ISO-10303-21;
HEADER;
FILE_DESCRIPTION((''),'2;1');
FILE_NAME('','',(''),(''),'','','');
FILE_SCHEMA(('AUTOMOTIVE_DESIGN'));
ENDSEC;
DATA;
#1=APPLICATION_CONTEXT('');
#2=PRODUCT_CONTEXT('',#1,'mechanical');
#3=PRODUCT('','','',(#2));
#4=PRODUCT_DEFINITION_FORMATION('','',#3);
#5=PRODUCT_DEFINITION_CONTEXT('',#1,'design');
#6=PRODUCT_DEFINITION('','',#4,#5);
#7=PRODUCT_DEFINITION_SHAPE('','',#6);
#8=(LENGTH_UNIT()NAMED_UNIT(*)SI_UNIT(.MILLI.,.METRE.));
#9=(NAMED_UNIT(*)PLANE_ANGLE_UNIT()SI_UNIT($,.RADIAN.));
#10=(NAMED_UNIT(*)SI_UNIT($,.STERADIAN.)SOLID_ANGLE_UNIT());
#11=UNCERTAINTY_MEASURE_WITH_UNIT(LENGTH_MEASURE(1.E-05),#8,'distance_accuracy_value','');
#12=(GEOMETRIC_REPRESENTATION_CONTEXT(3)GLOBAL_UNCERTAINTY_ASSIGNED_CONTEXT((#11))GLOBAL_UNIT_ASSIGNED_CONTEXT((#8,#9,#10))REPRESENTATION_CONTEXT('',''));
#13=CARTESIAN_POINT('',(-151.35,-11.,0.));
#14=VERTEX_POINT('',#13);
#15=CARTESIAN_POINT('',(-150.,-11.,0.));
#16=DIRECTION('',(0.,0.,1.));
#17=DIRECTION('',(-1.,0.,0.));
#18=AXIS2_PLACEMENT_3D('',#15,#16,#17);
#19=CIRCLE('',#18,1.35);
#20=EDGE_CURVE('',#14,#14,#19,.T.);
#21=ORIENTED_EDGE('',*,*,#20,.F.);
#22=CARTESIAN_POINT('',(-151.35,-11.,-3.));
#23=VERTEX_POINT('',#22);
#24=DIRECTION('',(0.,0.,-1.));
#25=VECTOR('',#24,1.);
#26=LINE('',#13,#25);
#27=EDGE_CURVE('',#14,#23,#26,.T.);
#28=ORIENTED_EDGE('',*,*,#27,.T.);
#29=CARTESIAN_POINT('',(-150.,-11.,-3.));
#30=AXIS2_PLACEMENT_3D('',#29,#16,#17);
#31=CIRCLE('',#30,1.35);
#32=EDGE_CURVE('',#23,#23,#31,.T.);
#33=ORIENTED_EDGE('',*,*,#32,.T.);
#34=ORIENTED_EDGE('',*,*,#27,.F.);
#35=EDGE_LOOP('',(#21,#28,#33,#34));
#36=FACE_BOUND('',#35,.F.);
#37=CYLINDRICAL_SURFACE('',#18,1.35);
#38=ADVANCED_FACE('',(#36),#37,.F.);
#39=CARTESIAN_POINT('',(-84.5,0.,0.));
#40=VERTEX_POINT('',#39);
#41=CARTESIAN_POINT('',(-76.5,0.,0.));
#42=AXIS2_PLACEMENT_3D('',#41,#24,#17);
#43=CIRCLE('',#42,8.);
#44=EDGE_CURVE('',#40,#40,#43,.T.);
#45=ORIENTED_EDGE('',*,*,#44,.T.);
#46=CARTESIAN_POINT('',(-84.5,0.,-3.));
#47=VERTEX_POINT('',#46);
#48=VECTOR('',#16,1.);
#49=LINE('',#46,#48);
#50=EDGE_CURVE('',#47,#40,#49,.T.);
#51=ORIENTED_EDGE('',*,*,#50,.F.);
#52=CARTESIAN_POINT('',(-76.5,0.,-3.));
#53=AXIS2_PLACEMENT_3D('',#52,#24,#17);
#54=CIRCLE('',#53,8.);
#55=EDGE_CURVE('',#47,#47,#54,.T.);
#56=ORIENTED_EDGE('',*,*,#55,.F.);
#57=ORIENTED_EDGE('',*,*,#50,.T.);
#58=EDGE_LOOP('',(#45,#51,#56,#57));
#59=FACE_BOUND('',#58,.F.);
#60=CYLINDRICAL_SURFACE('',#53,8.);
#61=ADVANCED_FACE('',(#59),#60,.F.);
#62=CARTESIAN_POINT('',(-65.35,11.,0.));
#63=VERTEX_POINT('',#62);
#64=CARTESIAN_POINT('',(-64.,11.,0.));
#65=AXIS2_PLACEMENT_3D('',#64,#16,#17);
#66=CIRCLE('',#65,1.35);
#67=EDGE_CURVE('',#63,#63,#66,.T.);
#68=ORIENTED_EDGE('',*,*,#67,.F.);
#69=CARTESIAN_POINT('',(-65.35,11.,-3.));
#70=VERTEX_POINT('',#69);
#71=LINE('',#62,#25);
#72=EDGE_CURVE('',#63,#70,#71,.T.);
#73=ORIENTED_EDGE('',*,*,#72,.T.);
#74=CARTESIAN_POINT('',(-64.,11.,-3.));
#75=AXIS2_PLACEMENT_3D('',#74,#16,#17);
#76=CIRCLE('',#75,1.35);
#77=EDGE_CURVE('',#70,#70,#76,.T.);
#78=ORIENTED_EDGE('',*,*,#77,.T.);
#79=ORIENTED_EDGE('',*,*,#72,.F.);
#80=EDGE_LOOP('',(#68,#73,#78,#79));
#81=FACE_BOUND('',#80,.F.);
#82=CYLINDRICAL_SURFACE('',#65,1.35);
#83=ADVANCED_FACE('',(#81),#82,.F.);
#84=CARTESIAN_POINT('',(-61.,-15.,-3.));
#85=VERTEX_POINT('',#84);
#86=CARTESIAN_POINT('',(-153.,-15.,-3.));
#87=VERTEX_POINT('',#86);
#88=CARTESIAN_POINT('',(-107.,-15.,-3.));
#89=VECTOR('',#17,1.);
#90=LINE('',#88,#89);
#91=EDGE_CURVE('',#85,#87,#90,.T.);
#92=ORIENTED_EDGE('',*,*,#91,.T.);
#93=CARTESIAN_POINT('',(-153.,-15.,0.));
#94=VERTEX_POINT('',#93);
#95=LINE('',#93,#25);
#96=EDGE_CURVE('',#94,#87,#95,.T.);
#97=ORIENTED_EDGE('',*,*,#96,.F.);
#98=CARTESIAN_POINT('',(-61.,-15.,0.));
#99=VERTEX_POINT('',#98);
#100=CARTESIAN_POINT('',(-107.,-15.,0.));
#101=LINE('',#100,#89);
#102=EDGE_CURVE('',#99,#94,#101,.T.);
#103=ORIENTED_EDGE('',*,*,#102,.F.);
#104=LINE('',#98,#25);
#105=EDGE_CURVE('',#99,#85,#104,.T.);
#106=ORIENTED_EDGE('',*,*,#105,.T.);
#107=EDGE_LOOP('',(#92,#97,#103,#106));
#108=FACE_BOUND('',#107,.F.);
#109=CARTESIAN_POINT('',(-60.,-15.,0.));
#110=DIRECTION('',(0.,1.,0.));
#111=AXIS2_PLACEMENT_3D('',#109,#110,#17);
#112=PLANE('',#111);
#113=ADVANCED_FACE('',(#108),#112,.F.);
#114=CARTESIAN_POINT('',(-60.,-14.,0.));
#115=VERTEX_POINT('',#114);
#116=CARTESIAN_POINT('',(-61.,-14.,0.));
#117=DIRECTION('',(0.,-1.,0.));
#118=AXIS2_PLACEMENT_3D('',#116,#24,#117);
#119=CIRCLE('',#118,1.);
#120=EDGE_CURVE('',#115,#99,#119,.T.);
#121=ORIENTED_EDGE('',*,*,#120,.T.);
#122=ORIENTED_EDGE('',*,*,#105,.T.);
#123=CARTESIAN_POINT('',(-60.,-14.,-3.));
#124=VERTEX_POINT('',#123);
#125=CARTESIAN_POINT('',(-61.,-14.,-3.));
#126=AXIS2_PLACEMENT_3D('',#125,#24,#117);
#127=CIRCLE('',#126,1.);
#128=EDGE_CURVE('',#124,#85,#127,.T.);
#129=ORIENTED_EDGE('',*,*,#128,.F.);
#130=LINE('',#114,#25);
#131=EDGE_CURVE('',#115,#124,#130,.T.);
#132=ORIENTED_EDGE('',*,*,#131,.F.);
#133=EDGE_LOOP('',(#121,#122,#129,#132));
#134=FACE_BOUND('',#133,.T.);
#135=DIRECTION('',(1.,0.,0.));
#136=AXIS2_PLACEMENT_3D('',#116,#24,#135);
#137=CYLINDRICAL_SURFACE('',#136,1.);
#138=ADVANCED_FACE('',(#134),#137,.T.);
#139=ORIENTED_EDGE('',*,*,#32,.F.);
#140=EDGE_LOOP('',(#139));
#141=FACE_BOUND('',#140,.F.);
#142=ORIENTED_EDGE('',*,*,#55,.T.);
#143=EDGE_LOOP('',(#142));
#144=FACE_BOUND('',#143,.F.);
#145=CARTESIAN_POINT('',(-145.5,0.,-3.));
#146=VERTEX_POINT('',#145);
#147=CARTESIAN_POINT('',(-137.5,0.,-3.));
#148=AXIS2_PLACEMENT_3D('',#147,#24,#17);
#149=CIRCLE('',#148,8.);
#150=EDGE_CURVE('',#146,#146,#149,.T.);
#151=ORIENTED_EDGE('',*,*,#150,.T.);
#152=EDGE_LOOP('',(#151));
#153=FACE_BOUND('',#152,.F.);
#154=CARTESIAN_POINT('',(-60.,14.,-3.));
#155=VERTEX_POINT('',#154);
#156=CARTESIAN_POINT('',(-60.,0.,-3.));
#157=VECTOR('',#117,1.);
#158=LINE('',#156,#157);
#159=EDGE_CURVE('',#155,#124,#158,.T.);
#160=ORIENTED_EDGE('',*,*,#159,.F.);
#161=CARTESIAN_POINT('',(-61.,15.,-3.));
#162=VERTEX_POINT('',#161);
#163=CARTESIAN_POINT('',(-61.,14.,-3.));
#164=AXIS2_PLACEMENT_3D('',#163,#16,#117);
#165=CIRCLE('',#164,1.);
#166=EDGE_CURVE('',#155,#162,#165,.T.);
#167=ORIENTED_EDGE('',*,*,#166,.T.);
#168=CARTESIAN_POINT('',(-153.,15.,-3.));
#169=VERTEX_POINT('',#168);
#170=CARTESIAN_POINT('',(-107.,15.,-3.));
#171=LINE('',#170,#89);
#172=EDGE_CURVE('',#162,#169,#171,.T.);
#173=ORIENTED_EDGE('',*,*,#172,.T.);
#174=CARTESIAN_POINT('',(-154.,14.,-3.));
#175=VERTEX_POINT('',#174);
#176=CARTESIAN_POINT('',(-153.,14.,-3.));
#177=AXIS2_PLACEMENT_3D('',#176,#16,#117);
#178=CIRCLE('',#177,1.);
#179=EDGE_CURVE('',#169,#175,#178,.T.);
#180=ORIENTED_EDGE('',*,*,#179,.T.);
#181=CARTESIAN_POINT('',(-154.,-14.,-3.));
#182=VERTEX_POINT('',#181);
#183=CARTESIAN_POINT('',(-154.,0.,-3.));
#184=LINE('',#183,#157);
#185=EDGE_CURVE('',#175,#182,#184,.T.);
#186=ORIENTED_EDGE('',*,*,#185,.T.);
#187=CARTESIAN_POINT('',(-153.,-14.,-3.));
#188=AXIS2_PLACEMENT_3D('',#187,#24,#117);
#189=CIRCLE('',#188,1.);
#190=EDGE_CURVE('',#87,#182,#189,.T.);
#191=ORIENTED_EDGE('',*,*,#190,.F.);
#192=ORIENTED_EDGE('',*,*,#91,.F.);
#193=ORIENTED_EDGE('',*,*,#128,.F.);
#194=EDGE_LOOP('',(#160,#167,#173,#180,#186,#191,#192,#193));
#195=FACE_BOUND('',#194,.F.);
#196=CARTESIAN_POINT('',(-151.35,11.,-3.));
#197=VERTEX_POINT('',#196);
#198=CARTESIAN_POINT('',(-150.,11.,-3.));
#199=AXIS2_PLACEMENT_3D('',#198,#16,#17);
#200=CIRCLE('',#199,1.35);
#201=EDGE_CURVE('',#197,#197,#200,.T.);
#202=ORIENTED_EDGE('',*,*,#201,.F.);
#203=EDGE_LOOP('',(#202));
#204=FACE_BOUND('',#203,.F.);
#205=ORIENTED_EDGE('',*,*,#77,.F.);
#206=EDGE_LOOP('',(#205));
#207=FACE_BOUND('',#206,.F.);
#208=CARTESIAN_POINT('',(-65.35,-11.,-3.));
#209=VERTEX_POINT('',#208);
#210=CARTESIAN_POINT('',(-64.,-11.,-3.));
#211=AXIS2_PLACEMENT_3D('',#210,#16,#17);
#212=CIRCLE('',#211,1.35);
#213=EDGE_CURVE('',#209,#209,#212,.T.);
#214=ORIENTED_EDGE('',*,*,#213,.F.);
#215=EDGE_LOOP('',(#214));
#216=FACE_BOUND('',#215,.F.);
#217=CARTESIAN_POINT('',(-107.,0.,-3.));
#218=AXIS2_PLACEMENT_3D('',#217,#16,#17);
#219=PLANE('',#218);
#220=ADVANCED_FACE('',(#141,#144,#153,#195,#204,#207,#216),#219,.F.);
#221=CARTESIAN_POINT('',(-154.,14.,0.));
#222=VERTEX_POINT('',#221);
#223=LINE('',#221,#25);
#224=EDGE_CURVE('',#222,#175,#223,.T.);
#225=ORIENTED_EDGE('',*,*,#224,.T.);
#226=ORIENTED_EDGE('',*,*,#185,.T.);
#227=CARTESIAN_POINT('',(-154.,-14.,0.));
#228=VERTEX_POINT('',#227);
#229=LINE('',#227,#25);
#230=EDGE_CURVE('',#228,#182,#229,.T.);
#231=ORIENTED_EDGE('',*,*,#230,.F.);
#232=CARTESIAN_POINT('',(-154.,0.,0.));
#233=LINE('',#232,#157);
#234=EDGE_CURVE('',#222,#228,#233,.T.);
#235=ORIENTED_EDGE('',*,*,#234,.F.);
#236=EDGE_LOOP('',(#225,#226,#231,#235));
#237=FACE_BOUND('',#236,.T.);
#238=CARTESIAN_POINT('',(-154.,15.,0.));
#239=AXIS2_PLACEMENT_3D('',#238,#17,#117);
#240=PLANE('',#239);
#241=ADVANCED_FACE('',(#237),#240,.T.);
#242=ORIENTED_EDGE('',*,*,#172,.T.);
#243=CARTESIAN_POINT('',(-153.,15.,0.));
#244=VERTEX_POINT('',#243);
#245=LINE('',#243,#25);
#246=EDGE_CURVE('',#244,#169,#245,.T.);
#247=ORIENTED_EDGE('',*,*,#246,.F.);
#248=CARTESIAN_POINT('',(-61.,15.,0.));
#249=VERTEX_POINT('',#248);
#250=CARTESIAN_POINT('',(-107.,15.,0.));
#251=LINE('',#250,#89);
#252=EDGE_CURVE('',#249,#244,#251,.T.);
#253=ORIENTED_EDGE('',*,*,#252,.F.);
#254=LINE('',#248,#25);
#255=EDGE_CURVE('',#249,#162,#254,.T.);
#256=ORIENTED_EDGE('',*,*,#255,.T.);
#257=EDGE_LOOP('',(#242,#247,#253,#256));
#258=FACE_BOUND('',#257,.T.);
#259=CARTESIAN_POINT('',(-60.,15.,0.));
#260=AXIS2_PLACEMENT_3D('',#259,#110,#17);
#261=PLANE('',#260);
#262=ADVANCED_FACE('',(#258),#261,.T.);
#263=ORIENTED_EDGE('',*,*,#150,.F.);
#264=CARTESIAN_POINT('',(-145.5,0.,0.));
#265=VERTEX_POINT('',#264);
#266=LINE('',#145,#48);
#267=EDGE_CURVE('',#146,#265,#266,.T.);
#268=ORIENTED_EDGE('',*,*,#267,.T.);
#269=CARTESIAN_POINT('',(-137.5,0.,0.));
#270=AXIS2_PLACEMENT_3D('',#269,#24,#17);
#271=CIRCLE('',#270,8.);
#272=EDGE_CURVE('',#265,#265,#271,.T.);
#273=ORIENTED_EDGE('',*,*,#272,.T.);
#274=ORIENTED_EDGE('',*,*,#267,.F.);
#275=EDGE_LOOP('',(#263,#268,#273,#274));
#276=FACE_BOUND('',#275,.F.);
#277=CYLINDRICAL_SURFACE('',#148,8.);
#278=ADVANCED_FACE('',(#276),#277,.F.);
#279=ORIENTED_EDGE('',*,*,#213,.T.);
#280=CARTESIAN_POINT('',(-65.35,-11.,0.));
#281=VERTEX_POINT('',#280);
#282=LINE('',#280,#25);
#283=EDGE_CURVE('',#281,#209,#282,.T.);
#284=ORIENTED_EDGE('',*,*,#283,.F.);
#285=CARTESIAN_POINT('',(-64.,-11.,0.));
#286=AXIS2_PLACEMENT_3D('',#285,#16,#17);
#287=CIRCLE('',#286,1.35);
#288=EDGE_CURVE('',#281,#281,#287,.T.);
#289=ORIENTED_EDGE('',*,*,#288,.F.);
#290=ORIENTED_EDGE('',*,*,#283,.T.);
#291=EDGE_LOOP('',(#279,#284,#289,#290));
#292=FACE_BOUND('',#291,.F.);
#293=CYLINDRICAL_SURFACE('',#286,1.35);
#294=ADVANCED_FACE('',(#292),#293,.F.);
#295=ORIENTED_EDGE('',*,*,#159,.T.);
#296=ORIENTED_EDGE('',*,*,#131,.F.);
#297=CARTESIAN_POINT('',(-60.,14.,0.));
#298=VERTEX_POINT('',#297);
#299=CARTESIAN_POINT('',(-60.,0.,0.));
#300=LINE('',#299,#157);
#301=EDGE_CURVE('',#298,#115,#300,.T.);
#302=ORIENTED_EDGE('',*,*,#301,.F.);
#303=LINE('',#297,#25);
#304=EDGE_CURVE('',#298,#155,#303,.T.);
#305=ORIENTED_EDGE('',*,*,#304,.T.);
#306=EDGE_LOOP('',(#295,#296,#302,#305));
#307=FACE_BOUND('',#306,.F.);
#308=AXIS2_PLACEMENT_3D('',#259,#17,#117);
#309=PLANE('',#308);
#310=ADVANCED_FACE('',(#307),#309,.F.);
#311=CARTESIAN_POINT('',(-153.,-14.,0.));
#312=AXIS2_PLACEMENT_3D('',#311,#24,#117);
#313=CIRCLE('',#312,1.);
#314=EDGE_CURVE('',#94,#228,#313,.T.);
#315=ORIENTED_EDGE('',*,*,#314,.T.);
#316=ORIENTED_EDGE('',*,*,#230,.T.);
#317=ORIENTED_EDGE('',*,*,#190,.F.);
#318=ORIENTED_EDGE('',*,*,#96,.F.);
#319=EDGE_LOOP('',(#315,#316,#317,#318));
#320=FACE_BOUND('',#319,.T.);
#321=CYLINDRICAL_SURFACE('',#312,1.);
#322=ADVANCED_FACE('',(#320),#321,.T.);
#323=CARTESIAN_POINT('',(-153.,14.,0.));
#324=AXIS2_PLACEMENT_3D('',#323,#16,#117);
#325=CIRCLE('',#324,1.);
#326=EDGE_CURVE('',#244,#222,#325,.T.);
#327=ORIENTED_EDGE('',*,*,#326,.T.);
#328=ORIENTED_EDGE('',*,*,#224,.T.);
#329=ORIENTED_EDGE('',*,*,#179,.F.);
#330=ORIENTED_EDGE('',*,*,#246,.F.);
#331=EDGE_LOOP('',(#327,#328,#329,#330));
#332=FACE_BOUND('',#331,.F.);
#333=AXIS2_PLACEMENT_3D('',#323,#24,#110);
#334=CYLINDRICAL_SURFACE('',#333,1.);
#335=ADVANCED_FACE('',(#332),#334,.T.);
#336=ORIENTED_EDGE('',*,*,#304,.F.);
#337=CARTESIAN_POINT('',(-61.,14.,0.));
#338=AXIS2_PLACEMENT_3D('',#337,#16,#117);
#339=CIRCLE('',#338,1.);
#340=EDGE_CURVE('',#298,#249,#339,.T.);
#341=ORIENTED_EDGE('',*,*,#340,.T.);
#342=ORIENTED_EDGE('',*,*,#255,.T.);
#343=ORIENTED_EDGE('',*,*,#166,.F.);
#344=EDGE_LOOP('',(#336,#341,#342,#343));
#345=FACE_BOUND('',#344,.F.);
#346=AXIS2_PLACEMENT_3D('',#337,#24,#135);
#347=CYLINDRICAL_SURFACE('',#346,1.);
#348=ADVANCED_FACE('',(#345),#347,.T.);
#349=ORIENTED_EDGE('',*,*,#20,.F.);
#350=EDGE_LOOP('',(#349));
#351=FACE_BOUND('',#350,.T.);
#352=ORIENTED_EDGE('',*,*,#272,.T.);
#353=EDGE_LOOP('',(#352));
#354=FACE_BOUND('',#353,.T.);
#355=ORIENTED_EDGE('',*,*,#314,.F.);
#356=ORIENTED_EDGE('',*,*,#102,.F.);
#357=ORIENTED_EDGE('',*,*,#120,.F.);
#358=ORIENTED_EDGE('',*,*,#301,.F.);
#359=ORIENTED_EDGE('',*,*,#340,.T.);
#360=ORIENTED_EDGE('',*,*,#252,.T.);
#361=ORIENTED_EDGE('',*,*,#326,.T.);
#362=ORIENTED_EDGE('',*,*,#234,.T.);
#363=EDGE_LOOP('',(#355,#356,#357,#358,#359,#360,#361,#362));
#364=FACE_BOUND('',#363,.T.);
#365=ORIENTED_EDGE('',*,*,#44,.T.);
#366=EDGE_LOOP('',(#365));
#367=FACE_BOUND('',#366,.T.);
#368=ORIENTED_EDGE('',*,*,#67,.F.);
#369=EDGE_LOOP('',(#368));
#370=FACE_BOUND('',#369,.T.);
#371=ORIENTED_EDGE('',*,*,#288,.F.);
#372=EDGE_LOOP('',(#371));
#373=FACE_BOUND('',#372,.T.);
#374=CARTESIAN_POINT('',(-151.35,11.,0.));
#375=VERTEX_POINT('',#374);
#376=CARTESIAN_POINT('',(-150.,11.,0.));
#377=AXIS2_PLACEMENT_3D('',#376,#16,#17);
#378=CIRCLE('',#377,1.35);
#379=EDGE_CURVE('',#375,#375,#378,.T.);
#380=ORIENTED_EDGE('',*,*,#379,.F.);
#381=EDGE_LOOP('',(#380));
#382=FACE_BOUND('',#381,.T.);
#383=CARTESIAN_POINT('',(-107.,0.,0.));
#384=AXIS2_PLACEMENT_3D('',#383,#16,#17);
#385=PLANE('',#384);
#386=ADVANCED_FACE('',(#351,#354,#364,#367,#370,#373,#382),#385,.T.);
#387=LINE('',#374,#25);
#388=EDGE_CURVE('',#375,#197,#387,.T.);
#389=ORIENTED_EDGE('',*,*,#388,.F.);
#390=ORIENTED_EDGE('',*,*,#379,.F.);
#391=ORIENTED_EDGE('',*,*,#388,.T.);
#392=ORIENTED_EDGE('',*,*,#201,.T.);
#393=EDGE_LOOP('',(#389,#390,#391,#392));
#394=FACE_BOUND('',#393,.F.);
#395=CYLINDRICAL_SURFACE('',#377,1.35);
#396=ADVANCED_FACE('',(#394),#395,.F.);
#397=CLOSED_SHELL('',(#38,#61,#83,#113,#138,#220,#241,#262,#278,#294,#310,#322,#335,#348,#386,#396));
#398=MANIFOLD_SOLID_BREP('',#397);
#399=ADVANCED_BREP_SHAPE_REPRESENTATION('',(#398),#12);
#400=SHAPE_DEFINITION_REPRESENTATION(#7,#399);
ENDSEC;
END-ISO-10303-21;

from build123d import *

# Parameters (mm, degrees)
SKETCH006_W             = 94
SKETCH006_H             = 30
PAD002_DEPTH            = 3
SKETCH008_R             = 8
HOLE002_DEPTH           = 25
SKETCH007_R             = 1.35
HOLE003_DEPTH           = 25
FILLET001_R             = 1
BODY001_PLACEMENT_ANGLE = 180


with BuildPart() as part:
    # Sketch006 → Pad002 (new body)
    with BuildSketch(Plane(origin=(0, 0, -13), x_dir=(1, 0, 0), z_dir=(0, 0, -1))):
        with Locations((107, 0)):
            Rectangle(SKETCH006_W, SKETCH006_H)
    extrude(amount=-PAD002_DEPTH)

    # Sketch008 (on Face6 of Pad002) → Hole002 (cut)
    with BuildSketch(Plane.XY.offset(-10)):
        with Locations((76.5, 0)):
            Circle(SKETCH008_R)
        with Locations((137.5, 0)):
            Circle(SKETCH008_R)
    extrude(amount=-HOLE002_DEPTH, mode=Mode.SUBTRACT)

    # Sketch007 (on Face5 of Pad002) → Hole003 (cut)
    with BuildSketch(Plane(origin=(0, 0, -13), x_dir=(1, 0, 0), z_dir=(0, 0, -1))):
        with Locations((64, -11)):
            Circle(SKETCH007_R)
        with Locations((64, 11)):
            Circle(SKETCH007_R)
        with Locations((150, 11)):
            Circle(SKETCH007_R)
        with Locations((150, -11)):
            Circle(SKETCH007_R)
    extrude(amount=-HOLE003_DEPTH, mode=Mode.SUBTRACT)

    # Fillet001
    fillet001_edges = [part.edges().sort_by_distance(p)[0] for p in [
        (154, -15, -11.5),
        (154, 15, -11.5),
        (60, 15, -11.5),
        (60, -15, -11.5),
    ]]
    fillet(fillet001_edges, radius=FILLET001_R)


with BuildPart() as part_1:
    # Body001 placement: moved
    add(part.part.moved(Location((0, 0, -13))).rotate(Axis((0, 0, -13), (0, 1, 0)), BODY001_PLACEMENT_ANGLE))


solid = part_1.part
